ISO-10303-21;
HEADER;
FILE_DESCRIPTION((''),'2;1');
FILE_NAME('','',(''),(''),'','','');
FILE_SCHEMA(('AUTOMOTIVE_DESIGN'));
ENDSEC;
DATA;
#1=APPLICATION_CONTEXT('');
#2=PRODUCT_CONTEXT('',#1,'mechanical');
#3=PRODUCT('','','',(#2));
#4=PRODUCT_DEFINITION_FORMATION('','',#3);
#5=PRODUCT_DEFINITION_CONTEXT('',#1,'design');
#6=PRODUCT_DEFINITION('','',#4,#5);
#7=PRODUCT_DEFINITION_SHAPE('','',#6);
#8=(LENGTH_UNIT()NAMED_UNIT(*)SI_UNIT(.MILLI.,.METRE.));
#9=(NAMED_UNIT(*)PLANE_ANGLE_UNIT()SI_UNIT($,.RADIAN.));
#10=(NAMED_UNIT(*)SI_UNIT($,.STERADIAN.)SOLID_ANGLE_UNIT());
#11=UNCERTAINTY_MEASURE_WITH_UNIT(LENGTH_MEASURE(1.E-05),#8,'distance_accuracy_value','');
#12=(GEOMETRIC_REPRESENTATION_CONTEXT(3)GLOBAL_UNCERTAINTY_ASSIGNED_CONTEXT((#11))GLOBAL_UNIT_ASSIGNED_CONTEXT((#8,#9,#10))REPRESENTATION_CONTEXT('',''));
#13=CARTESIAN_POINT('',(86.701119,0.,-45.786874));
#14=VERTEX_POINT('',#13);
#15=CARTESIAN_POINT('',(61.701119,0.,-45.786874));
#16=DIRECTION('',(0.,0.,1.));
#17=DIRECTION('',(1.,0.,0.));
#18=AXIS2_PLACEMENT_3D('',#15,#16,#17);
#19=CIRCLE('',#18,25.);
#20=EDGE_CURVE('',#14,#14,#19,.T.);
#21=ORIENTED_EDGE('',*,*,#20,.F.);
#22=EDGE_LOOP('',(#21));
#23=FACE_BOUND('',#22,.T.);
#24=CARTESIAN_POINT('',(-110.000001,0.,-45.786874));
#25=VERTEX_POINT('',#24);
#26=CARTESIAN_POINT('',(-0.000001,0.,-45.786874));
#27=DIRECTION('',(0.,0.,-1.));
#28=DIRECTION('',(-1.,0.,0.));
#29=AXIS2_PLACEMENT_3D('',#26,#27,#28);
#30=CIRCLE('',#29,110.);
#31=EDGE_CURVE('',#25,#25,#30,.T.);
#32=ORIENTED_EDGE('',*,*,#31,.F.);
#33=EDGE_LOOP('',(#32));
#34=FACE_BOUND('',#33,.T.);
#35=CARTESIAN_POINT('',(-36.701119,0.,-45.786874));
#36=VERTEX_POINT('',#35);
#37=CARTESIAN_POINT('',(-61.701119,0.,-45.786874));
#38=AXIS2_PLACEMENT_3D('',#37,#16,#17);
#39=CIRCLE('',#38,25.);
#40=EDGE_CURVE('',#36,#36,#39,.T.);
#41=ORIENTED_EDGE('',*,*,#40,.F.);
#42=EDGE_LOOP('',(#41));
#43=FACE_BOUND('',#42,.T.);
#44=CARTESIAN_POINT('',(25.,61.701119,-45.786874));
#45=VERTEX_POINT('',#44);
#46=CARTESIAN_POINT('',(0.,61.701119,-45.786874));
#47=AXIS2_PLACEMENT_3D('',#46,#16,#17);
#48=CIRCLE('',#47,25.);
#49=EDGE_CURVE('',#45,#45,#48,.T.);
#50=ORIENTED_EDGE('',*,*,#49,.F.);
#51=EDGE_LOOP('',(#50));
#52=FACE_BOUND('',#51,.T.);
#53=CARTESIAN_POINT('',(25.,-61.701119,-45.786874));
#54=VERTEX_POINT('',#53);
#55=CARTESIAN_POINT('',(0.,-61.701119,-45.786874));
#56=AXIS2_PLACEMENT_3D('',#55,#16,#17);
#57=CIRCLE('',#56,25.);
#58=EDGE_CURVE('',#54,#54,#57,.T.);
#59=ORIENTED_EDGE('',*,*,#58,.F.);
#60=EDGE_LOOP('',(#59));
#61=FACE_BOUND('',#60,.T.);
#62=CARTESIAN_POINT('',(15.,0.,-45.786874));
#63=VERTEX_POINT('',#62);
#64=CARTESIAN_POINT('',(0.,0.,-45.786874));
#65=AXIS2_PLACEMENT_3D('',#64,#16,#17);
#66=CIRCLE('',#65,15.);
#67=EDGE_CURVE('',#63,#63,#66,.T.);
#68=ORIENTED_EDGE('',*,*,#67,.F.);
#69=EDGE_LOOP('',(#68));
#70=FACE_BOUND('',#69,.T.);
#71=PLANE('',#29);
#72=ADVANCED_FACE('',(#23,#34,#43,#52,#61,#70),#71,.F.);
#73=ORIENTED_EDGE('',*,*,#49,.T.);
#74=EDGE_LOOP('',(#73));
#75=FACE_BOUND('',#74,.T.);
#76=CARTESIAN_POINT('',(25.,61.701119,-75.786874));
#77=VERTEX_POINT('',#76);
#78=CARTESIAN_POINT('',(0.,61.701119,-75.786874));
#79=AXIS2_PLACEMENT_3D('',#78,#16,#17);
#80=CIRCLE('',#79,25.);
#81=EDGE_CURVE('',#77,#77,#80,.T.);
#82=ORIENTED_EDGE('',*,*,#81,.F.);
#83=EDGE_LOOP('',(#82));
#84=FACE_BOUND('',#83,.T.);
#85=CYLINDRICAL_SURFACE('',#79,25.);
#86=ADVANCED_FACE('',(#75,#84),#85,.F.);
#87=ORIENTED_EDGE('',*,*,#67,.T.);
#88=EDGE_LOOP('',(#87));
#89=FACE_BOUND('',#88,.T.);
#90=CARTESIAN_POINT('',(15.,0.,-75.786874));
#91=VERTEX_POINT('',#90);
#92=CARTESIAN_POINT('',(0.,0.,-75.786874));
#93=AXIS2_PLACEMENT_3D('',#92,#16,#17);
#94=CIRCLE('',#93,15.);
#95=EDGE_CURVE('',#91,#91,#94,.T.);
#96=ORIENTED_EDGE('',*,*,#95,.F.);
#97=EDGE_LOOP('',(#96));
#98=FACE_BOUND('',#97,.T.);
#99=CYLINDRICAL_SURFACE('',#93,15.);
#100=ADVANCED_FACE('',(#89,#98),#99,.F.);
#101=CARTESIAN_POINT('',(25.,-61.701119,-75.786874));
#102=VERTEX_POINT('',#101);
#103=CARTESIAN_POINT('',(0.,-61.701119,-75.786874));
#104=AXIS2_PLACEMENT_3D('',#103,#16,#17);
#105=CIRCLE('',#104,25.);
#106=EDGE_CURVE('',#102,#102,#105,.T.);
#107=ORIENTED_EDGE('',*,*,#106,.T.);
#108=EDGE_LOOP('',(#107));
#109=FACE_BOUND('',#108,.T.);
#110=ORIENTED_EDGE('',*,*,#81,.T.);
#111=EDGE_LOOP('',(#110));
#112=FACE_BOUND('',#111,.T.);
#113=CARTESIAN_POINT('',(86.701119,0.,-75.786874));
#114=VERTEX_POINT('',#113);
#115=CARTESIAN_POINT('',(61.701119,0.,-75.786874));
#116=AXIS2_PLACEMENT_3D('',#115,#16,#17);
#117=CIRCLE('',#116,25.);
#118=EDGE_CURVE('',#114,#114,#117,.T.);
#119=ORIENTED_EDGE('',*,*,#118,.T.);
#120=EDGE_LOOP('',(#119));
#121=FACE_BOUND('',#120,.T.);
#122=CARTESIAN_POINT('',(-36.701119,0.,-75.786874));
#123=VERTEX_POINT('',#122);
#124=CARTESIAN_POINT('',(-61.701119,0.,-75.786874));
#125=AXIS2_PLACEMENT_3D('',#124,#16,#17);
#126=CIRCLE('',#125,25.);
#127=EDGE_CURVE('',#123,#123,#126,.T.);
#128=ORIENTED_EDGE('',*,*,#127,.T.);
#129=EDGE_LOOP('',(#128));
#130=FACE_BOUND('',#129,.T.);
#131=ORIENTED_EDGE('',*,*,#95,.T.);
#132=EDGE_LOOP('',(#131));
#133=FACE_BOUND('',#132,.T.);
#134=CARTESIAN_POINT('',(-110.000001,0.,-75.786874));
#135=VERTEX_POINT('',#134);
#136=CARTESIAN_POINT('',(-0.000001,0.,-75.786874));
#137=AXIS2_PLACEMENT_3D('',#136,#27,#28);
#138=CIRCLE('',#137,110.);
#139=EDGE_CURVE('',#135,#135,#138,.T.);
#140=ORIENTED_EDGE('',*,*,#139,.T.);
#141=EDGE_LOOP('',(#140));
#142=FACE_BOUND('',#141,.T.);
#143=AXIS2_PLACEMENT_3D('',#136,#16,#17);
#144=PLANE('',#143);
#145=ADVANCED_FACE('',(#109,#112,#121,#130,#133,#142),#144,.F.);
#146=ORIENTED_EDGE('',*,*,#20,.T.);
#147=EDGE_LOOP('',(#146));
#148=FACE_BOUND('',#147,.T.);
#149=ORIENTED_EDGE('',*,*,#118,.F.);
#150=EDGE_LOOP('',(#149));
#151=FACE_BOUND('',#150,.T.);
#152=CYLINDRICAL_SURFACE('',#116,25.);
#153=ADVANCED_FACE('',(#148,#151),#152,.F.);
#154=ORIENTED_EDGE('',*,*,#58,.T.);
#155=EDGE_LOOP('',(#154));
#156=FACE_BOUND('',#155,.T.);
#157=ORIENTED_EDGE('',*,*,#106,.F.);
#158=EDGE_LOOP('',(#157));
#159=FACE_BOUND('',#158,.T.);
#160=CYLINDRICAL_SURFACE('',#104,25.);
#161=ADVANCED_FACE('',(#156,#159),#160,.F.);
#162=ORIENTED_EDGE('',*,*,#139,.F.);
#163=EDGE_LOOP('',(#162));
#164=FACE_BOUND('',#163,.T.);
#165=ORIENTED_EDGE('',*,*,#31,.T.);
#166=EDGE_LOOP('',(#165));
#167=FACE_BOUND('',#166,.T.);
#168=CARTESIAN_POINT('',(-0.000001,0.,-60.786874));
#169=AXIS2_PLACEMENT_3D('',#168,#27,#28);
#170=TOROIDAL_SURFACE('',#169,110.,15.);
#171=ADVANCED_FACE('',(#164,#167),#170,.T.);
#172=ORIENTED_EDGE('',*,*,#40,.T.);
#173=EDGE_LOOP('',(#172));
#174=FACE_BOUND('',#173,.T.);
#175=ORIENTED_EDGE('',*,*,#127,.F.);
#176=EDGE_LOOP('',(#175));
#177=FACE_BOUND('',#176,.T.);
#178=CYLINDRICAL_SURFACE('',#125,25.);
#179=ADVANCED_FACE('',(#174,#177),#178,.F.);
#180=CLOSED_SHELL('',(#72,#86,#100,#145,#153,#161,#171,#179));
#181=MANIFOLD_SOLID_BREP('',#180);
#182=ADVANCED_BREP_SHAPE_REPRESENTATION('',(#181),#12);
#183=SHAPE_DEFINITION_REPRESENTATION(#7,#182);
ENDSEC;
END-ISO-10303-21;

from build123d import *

# Parameters (mm, degrees)
SKETCH10_R         = 15
CUT_EXTRUDE1_DEPTH = 31
SKETCH11_R         = 25
CUT_EXTRUDE2_DEPTH = 31


with BuildPart() as part:
    # Sketch6 → Revolve3 (revolve)
    with BuildSketch(Plane(origin=(0, 0, 0), x_dir=(1, 0, 0), z_dir=(0, 1, 0))):
        with BuildLine():
            Line((-1.369e-06, 75.786874096), (109.999998631, 75.786874096))
            ThreePointArc((109.999998631, 75.786874096), (124.999998631, 60.786874096), (109.999998631, 45.786874096))
            Line((109.999998631, 45.786874096), (-1.369e-06, 45.786874096))
            Line((-1.369e-06, 45.786874096), (-1.369e-06, 75.786874096))
        make_face()
    revolve(axis=Axis((-1.369e-06, 0, -75.786874096), (0, 0, 1)))

    # Sketch10 → Cut-Extrude1 (cut, through all)
    with BuildSketch(Plane.XY.offset(-45.786874096)):
        Circle(SKETCH10_R)
    extrude(amount=-CUT_EXTRUDE1_DEPTH, mode=Mode.SUBTRACT)

    # Sketch11 → Cut-Extrude2 (cut, through all)
    with BuildSketch(Plane.XY.offset(-45.786874096)):
        with Locations((0, 61.701118812)):
            Circle(SKETCH11_R)
        with Locations((61.701118812, 0)):
            Circle(SKETCH11_R)
        with Locations((0, -61.701118812)):
            Circle(SKETCH11_R)
        with Locations((-61.701118812, 0)):
            Circle(SKETCH11_R)
    extrude(amount=-CUT_EXTRUDE2_DEPTH, mode=Mode.SUBTRACT)


solid = part.part
